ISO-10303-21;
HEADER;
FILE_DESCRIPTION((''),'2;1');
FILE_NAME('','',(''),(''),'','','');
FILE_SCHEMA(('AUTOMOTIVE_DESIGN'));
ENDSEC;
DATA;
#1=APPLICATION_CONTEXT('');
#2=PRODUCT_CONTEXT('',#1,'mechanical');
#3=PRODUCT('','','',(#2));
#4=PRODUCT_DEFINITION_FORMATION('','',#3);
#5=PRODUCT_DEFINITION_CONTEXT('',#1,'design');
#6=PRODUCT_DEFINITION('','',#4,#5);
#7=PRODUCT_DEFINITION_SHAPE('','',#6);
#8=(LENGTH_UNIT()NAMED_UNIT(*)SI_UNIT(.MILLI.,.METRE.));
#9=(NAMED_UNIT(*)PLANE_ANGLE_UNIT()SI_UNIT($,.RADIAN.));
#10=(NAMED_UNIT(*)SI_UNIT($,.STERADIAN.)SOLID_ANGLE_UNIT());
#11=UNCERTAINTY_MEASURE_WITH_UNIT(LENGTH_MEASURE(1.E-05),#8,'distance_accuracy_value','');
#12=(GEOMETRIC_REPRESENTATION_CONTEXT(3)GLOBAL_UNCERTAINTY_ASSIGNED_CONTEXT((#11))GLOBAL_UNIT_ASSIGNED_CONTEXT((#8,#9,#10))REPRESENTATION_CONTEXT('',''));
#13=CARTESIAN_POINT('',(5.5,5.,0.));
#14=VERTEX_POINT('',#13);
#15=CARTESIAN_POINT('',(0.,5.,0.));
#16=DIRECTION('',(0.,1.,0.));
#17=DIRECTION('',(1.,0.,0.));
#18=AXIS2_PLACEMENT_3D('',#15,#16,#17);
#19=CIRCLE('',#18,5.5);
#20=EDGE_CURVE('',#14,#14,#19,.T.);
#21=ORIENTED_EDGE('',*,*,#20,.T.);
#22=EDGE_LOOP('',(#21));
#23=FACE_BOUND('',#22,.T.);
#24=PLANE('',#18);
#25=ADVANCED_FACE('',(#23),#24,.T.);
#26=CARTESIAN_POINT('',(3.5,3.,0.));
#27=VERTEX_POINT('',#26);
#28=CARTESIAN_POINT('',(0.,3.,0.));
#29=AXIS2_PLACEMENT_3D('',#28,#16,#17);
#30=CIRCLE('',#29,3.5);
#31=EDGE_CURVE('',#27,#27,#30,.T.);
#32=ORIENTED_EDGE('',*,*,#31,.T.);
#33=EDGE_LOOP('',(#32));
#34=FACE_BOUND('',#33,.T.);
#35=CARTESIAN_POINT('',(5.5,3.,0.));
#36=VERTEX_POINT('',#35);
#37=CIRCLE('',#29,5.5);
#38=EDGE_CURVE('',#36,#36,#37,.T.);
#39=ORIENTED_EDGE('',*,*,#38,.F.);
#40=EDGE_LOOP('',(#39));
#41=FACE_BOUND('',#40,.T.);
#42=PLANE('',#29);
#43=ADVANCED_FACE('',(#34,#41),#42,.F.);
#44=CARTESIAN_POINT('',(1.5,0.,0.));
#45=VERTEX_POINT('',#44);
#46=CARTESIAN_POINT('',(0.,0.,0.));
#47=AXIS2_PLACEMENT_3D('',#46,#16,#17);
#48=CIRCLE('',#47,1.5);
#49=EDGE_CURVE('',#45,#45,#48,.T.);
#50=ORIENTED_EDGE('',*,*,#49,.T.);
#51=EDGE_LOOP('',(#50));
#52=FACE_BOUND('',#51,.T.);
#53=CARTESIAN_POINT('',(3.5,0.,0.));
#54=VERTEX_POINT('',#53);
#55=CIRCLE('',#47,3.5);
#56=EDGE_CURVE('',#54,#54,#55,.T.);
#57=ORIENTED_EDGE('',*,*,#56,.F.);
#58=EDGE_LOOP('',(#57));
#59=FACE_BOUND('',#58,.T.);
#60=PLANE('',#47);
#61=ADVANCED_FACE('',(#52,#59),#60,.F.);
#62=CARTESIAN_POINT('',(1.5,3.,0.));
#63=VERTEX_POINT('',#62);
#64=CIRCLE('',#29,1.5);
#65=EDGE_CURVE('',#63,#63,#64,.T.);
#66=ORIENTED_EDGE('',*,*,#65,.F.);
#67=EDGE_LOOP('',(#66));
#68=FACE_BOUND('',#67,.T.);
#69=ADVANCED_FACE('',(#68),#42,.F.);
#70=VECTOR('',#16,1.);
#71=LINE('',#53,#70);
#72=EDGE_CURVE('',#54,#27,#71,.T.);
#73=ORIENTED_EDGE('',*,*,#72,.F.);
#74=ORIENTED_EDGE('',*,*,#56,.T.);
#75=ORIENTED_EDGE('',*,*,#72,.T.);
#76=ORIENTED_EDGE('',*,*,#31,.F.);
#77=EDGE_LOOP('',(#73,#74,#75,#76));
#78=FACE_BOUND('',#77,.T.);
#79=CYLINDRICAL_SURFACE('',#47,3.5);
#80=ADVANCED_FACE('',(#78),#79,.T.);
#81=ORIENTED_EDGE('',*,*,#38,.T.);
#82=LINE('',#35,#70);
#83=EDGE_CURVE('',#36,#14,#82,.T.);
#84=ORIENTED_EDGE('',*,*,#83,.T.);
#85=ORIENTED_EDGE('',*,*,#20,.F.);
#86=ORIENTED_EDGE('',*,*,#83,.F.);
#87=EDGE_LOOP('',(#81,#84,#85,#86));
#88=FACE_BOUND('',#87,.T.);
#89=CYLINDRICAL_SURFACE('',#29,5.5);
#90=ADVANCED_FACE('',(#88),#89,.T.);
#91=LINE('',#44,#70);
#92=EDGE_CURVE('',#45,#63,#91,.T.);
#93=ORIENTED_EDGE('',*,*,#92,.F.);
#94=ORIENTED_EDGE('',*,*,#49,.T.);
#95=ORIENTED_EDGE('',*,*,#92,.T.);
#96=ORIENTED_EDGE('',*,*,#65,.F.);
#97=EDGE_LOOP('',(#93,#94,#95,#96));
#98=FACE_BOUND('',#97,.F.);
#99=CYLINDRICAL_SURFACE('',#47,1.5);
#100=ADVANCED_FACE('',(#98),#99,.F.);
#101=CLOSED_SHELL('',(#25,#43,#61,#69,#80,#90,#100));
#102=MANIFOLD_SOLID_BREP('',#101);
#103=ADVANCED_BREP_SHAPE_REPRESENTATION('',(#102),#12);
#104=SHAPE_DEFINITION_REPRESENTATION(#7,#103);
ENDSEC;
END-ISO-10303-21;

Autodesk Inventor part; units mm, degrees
ref_plane "YZ Plane" through (0, 0, 0) normal (1, 0, 0) x (0, 1, 0)
ref_plane "XZ Plane" through (0, 0, 0) normal (0, 1, 0) x (-1, 0, 0)
ref_plane "XY Plane" through (0, 0, 0) normal (0, 0, 1) x (1, 0, 0)
sketch "Sketch1" plane through (0, 0, 0) normal (0, 0, 1) x (1, 0, 0)
  line L0 (0, 0) -> (1.5, 0)
  line L1 (1.5, 0) -> (1.5, 3)
  line L2 (1.5, 3) -> (5.5, 3)
  line L3 (5.5, 3) -> (5.5, 5)
  line L4 (5.5, 5) -> (0, 5)
  line L5 (0, 5) -> (0, 3)
  line L6 (0, 3) -> (1.5, 3)
  line L7 (1.5, 0) -> (3.5, 0)
  line L8 (3.5, 0) -> (3.5, 3)
  line L9 (0, -1) -> (0, 6) projected
  dimension "d0" = 1.5
  dimension "d1" = 3
  dimension "d2" = 4
  dimension "d3" = 2
  dimension "d4" = 2
revolve "Revolution1" add sketch "Sketch1" angle 360 about axis through (0, -10, 0) along (0, 1, 0) contours L1 L2 L8 L7 | L5 L4 L3 L2 L6
thread "Thread1" size "M3x0.5" class "6H" standard "ISO Metric profile" full length
properties part number "FijadorParaBloqueo"
